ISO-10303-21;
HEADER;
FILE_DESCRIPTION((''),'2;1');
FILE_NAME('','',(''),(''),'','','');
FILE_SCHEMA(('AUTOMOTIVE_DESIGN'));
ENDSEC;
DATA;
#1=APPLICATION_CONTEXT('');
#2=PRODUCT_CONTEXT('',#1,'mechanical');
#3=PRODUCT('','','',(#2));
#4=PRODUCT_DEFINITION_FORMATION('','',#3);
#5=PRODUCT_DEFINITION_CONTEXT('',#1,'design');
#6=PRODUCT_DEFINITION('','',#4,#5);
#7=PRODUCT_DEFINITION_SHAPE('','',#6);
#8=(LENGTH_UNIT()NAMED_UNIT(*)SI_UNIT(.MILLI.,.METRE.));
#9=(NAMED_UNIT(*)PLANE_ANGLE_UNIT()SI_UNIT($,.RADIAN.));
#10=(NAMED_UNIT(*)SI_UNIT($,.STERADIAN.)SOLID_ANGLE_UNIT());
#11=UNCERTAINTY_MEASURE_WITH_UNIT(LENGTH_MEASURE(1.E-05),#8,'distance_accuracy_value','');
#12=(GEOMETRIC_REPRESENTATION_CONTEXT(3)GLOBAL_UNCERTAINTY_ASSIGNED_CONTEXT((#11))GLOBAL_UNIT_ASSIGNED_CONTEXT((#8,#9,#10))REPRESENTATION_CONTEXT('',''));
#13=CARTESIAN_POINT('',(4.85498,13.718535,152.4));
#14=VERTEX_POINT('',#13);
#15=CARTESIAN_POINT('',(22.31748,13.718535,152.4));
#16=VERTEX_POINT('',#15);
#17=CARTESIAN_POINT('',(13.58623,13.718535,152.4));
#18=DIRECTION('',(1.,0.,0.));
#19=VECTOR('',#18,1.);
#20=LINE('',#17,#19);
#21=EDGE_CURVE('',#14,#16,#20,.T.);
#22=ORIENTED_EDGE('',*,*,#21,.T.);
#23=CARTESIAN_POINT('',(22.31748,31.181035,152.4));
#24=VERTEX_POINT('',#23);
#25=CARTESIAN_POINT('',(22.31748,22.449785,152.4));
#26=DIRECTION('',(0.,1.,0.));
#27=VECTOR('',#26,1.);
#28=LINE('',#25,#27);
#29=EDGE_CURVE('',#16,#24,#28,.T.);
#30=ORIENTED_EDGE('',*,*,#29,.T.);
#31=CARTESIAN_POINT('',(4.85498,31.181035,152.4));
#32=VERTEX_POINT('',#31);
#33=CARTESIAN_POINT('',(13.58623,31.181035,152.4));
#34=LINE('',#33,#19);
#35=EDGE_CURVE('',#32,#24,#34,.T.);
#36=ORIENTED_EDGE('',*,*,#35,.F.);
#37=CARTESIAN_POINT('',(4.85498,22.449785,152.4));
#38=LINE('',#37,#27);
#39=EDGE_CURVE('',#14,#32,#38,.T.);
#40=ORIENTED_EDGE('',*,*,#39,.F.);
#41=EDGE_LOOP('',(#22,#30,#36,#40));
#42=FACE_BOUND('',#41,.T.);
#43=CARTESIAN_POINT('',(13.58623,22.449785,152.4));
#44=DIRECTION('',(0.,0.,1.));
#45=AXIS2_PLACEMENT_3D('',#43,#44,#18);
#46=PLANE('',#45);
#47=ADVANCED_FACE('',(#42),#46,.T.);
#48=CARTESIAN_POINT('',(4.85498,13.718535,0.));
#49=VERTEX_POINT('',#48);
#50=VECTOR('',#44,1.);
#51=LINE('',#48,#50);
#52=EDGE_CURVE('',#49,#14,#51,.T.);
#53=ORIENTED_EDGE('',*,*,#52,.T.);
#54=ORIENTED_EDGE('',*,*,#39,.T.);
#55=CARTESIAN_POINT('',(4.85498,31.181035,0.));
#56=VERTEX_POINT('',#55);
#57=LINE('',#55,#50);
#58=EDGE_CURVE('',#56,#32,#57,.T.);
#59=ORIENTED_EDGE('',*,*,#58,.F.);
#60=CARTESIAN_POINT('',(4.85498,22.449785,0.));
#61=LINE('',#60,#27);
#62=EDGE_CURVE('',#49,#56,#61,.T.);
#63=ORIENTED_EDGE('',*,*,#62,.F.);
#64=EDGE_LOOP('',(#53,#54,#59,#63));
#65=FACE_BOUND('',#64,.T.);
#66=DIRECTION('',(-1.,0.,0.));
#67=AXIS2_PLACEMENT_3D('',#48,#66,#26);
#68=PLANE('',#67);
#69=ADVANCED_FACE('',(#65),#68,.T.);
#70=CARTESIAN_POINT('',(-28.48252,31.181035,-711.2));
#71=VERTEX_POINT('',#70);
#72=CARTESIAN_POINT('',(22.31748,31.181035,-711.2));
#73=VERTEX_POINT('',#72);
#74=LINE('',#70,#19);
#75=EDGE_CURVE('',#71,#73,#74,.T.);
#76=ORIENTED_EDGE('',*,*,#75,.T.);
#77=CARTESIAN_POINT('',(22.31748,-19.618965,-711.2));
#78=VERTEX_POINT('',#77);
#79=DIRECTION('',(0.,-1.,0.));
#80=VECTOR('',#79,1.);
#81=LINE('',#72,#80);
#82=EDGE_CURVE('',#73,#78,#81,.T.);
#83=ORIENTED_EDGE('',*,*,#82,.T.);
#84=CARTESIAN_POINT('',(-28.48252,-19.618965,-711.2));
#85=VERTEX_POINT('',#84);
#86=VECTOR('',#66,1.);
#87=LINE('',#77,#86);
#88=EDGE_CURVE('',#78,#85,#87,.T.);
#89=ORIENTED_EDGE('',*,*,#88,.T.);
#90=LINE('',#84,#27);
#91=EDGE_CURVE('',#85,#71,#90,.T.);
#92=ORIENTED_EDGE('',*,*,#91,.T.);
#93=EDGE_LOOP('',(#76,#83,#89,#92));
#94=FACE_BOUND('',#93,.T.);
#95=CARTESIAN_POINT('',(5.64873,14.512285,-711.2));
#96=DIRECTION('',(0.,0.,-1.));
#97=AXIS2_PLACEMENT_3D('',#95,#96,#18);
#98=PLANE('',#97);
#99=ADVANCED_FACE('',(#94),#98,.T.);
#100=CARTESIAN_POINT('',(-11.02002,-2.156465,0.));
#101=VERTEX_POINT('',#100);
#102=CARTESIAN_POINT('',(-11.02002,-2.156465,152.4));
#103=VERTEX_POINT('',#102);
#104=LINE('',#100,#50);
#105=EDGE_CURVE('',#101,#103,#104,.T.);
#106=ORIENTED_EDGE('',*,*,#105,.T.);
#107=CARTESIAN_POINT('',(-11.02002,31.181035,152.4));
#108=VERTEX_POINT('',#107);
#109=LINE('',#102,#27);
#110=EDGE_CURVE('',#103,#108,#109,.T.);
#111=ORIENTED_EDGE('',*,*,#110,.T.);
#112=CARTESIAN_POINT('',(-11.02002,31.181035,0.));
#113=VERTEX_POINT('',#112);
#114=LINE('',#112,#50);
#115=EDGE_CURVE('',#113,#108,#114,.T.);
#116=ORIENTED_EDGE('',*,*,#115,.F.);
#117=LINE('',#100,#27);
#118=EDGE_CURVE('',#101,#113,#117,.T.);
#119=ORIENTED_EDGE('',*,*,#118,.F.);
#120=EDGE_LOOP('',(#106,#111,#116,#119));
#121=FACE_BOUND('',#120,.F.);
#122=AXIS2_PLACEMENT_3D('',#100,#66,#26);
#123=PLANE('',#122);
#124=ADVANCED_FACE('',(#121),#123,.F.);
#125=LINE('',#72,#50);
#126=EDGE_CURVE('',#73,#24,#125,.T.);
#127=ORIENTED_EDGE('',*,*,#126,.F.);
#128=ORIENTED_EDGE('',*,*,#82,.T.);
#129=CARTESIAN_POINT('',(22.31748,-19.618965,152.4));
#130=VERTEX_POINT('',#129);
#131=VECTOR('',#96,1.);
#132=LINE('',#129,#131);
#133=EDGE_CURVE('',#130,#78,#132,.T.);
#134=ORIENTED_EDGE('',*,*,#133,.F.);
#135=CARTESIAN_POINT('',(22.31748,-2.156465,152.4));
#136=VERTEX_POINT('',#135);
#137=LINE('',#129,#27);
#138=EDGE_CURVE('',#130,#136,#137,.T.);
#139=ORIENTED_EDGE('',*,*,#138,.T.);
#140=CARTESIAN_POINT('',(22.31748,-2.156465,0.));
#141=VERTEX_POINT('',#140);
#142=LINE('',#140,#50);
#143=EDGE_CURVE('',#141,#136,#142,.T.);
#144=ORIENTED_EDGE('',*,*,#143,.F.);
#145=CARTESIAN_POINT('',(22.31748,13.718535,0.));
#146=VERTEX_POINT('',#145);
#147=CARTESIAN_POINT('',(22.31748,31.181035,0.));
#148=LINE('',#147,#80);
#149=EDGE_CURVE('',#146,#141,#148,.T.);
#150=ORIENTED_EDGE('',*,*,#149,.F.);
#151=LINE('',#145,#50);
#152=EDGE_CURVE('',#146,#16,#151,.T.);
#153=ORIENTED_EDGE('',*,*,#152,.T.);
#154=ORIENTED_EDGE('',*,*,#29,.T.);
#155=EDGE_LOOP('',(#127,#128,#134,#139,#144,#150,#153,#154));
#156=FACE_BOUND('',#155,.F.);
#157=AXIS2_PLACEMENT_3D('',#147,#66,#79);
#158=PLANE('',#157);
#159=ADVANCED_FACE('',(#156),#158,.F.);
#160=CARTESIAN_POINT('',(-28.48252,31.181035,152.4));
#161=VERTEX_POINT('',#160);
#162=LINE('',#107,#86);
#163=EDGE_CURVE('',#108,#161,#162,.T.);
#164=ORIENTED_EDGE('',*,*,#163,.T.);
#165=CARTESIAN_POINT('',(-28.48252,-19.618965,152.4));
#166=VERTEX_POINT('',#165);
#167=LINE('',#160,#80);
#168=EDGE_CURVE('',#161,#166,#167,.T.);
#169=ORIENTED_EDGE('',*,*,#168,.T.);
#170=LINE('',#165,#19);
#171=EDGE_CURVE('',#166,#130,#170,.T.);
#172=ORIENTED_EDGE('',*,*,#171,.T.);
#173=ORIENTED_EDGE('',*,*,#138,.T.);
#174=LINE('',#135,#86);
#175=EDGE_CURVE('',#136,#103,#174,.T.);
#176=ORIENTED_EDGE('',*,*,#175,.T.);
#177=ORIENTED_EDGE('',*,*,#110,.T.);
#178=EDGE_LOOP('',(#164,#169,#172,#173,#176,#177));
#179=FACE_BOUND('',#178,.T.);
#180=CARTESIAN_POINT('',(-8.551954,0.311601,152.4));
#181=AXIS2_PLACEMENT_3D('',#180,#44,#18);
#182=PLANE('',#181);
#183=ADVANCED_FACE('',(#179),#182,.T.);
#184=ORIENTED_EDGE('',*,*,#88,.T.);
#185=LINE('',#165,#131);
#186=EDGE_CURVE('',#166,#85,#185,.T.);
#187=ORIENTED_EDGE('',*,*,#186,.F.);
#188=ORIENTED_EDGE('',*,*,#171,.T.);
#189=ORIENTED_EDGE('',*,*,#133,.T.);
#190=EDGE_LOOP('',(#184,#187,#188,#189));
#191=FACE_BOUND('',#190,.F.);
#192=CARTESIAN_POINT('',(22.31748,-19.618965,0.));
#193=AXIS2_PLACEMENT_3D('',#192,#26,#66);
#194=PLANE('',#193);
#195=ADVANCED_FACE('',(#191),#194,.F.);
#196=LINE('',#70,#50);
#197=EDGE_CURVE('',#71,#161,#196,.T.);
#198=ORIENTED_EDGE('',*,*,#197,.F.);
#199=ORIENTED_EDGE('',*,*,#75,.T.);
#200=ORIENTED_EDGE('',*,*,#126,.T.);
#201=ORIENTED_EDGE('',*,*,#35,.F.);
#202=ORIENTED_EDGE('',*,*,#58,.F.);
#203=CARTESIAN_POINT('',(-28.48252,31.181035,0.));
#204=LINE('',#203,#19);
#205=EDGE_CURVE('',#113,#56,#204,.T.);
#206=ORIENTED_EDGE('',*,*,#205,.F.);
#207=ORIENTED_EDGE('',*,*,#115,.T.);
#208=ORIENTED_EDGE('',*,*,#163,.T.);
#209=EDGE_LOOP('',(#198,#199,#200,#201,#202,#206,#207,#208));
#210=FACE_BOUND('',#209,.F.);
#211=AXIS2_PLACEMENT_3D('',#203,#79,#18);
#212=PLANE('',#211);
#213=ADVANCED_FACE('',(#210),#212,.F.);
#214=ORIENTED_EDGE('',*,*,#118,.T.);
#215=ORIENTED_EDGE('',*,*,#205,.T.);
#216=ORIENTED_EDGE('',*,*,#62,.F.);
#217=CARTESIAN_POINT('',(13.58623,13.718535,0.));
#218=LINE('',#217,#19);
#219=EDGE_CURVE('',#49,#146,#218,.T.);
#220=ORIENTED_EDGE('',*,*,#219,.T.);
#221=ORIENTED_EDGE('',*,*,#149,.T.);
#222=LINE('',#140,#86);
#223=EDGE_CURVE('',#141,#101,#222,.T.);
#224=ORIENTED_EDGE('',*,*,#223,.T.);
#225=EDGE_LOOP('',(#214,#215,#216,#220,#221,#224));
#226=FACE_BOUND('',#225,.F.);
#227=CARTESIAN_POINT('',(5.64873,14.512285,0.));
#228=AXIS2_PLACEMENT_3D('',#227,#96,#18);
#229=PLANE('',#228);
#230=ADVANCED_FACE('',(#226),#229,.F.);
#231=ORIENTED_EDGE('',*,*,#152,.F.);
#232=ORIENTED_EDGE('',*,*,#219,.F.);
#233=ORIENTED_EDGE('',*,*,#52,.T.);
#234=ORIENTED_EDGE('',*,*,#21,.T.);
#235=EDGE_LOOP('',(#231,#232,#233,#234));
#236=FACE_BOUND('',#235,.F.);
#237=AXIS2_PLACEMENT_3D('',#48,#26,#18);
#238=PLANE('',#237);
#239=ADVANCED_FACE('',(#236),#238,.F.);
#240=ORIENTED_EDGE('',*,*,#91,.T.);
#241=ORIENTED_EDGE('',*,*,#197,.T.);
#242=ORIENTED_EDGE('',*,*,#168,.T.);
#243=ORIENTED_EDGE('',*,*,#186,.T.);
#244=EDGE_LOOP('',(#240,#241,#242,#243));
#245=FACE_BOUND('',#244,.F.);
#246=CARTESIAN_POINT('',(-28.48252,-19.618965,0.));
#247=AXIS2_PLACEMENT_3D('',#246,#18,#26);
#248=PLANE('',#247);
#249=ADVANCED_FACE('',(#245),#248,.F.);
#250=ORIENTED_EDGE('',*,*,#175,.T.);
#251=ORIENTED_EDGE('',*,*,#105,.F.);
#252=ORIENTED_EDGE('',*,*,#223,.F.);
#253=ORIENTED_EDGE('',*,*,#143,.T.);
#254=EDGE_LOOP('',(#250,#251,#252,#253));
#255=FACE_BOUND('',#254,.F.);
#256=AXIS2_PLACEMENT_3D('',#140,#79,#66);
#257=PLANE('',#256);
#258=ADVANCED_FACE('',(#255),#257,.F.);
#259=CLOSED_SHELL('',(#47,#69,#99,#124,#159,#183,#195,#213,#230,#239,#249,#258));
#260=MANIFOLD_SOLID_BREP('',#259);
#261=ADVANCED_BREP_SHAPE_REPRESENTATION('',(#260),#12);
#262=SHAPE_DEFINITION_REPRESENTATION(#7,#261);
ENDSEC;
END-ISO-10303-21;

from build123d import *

# Parameters (mm, degrees)
F0_W     = 17.4625
F0_H     = 17.4625
F1_DEPTH = 152.4
F2_W     = 33.3375
F2_H     = 33.3375
F3_DEPTH = 711.2


with BuildPart() as f1:
    # F0 (on Top) → F1 (new body)
    with BuildSketch(Plane.XY):
        Polygon((-28.48252, 31.181035), (-28.48252, -19.618965), (22.31748, -19.618965), (22.31748, -2.156465), (-3.08252, -2.156465), (-11.02002, -2.156465), (-11.02002, 31.181035), align=None)
        with Locations((13.58623, 22.449785)):
            Rectangle(F0_W, F0_H)
    extrude(amount=F1_DEPTH)

    # F2 (on face) → F3 (join)
    with BuildSketch(Plane(origin=(0, 0, 0), x_dir=(1, 0, 0), z_dir=(0, 0, -1))):
        with Locations((5.64873, -14.512285)):
            Rectangle(F2_W, F2_H)
        Polygon((22.31748, 19.618965), (-28.48252, 19.618965), (-28.48252, -31.181035), (-11.02002, -31.181035), (-11.02002, 2.156465), (22.31748, 2.156465), align=None)
    extrude(amount=F3_DEPTH)


solid = f1.part
